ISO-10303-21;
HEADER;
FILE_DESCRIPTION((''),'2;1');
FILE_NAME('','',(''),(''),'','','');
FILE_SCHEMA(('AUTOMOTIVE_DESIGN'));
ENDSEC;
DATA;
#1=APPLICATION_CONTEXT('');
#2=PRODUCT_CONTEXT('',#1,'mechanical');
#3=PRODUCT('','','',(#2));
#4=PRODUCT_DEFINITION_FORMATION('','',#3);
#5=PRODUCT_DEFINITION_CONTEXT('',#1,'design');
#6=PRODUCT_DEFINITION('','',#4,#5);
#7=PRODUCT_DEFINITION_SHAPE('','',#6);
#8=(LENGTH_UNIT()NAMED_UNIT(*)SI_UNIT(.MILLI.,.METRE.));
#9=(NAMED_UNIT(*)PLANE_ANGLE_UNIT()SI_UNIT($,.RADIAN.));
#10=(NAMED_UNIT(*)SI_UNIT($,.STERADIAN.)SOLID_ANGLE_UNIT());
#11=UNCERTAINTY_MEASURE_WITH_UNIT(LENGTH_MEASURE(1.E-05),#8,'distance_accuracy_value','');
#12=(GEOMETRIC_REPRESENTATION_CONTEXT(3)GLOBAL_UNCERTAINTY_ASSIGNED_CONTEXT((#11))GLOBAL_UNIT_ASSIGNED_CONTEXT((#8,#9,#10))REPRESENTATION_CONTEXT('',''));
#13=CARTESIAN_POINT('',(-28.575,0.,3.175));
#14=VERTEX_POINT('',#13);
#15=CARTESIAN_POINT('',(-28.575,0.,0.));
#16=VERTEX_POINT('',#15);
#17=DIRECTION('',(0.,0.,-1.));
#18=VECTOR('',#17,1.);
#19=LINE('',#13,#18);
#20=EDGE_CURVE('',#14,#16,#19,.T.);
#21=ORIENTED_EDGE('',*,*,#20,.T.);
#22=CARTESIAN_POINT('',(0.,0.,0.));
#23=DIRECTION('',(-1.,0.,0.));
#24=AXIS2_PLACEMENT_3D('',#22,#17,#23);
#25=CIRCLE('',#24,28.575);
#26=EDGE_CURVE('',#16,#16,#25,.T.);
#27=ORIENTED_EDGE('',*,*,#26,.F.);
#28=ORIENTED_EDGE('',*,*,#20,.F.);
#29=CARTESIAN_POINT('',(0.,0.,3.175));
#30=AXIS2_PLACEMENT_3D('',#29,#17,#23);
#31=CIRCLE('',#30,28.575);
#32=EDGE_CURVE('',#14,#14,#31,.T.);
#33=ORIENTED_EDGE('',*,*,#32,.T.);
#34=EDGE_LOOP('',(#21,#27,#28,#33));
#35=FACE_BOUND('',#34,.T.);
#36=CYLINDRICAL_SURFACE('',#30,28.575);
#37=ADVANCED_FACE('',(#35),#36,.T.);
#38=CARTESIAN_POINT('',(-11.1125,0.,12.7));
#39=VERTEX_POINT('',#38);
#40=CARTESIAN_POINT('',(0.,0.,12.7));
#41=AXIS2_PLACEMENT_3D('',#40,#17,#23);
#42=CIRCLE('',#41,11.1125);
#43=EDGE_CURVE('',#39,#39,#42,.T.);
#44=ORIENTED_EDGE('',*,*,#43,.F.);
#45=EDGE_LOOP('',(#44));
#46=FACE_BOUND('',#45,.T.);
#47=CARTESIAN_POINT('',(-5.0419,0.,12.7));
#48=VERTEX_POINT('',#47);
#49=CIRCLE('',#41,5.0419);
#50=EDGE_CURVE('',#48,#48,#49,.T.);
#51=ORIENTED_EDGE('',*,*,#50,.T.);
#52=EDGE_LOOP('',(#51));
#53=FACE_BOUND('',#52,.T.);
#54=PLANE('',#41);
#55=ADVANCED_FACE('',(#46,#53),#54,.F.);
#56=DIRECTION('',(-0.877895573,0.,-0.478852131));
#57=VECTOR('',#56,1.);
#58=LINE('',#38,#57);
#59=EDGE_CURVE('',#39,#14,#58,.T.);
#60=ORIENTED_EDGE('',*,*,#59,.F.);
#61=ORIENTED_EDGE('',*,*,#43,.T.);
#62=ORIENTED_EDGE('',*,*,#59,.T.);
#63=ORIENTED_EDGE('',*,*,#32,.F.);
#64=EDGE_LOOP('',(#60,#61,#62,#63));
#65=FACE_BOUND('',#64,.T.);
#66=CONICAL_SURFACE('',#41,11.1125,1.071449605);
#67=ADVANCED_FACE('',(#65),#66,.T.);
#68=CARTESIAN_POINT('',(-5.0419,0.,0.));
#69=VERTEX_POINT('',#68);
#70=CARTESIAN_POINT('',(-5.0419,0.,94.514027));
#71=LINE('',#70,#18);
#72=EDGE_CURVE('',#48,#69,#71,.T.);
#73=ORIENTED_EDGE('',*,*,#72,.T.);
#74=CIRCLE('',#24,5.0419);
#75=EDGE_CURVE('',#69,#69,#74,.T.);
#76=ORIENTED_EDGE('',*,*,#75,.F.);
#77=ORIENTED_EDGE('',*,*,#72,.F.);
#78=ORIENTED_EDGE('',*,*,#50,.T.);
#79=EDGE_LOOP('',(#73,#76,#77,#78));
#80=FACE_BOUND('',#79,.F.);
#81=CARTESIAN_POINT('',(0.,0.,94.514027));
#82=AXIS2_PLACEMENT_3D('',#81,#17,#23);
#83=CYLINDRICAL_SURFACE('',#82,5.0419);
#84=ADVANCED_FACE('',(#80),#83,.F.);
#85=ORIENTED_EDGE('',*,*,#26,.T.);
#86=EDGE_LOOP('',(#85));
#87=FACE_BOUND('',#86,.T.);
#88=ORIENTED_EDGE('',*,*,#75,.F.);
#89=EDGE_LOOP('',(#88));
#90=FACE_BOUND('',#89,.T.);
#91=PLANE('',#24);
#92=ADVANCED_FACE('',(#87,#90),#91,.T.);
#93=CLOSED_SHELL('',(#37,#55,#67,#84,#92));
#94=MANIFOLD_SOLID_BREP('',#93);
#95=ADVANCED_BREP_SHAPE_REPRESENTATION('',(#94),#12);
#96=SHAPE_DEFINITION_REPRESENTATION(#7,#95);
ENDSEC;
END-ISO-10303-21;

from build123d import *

# Parameters (mm, degrees)
F3_D = 10.0838


with BuildPart() as f1:
    # F0 (on Front) → F1 (revolve)
    with BuildSketch(Plane.XZ):
        Polygon((-28.575, 0), (0, 0), (0, 12.7), (-11.1125, 12.7), (-28.575, 3.175), align=None)
    revolve(axis=Axis((0, 0, 6.35), (0, 0, -1)))

    # F3 (through all)
    with Locations(Plane.XY.offset(12.7)):
        with Locations((0, 0)):
            Hole(F3_D / 2)


solid = f1.part
